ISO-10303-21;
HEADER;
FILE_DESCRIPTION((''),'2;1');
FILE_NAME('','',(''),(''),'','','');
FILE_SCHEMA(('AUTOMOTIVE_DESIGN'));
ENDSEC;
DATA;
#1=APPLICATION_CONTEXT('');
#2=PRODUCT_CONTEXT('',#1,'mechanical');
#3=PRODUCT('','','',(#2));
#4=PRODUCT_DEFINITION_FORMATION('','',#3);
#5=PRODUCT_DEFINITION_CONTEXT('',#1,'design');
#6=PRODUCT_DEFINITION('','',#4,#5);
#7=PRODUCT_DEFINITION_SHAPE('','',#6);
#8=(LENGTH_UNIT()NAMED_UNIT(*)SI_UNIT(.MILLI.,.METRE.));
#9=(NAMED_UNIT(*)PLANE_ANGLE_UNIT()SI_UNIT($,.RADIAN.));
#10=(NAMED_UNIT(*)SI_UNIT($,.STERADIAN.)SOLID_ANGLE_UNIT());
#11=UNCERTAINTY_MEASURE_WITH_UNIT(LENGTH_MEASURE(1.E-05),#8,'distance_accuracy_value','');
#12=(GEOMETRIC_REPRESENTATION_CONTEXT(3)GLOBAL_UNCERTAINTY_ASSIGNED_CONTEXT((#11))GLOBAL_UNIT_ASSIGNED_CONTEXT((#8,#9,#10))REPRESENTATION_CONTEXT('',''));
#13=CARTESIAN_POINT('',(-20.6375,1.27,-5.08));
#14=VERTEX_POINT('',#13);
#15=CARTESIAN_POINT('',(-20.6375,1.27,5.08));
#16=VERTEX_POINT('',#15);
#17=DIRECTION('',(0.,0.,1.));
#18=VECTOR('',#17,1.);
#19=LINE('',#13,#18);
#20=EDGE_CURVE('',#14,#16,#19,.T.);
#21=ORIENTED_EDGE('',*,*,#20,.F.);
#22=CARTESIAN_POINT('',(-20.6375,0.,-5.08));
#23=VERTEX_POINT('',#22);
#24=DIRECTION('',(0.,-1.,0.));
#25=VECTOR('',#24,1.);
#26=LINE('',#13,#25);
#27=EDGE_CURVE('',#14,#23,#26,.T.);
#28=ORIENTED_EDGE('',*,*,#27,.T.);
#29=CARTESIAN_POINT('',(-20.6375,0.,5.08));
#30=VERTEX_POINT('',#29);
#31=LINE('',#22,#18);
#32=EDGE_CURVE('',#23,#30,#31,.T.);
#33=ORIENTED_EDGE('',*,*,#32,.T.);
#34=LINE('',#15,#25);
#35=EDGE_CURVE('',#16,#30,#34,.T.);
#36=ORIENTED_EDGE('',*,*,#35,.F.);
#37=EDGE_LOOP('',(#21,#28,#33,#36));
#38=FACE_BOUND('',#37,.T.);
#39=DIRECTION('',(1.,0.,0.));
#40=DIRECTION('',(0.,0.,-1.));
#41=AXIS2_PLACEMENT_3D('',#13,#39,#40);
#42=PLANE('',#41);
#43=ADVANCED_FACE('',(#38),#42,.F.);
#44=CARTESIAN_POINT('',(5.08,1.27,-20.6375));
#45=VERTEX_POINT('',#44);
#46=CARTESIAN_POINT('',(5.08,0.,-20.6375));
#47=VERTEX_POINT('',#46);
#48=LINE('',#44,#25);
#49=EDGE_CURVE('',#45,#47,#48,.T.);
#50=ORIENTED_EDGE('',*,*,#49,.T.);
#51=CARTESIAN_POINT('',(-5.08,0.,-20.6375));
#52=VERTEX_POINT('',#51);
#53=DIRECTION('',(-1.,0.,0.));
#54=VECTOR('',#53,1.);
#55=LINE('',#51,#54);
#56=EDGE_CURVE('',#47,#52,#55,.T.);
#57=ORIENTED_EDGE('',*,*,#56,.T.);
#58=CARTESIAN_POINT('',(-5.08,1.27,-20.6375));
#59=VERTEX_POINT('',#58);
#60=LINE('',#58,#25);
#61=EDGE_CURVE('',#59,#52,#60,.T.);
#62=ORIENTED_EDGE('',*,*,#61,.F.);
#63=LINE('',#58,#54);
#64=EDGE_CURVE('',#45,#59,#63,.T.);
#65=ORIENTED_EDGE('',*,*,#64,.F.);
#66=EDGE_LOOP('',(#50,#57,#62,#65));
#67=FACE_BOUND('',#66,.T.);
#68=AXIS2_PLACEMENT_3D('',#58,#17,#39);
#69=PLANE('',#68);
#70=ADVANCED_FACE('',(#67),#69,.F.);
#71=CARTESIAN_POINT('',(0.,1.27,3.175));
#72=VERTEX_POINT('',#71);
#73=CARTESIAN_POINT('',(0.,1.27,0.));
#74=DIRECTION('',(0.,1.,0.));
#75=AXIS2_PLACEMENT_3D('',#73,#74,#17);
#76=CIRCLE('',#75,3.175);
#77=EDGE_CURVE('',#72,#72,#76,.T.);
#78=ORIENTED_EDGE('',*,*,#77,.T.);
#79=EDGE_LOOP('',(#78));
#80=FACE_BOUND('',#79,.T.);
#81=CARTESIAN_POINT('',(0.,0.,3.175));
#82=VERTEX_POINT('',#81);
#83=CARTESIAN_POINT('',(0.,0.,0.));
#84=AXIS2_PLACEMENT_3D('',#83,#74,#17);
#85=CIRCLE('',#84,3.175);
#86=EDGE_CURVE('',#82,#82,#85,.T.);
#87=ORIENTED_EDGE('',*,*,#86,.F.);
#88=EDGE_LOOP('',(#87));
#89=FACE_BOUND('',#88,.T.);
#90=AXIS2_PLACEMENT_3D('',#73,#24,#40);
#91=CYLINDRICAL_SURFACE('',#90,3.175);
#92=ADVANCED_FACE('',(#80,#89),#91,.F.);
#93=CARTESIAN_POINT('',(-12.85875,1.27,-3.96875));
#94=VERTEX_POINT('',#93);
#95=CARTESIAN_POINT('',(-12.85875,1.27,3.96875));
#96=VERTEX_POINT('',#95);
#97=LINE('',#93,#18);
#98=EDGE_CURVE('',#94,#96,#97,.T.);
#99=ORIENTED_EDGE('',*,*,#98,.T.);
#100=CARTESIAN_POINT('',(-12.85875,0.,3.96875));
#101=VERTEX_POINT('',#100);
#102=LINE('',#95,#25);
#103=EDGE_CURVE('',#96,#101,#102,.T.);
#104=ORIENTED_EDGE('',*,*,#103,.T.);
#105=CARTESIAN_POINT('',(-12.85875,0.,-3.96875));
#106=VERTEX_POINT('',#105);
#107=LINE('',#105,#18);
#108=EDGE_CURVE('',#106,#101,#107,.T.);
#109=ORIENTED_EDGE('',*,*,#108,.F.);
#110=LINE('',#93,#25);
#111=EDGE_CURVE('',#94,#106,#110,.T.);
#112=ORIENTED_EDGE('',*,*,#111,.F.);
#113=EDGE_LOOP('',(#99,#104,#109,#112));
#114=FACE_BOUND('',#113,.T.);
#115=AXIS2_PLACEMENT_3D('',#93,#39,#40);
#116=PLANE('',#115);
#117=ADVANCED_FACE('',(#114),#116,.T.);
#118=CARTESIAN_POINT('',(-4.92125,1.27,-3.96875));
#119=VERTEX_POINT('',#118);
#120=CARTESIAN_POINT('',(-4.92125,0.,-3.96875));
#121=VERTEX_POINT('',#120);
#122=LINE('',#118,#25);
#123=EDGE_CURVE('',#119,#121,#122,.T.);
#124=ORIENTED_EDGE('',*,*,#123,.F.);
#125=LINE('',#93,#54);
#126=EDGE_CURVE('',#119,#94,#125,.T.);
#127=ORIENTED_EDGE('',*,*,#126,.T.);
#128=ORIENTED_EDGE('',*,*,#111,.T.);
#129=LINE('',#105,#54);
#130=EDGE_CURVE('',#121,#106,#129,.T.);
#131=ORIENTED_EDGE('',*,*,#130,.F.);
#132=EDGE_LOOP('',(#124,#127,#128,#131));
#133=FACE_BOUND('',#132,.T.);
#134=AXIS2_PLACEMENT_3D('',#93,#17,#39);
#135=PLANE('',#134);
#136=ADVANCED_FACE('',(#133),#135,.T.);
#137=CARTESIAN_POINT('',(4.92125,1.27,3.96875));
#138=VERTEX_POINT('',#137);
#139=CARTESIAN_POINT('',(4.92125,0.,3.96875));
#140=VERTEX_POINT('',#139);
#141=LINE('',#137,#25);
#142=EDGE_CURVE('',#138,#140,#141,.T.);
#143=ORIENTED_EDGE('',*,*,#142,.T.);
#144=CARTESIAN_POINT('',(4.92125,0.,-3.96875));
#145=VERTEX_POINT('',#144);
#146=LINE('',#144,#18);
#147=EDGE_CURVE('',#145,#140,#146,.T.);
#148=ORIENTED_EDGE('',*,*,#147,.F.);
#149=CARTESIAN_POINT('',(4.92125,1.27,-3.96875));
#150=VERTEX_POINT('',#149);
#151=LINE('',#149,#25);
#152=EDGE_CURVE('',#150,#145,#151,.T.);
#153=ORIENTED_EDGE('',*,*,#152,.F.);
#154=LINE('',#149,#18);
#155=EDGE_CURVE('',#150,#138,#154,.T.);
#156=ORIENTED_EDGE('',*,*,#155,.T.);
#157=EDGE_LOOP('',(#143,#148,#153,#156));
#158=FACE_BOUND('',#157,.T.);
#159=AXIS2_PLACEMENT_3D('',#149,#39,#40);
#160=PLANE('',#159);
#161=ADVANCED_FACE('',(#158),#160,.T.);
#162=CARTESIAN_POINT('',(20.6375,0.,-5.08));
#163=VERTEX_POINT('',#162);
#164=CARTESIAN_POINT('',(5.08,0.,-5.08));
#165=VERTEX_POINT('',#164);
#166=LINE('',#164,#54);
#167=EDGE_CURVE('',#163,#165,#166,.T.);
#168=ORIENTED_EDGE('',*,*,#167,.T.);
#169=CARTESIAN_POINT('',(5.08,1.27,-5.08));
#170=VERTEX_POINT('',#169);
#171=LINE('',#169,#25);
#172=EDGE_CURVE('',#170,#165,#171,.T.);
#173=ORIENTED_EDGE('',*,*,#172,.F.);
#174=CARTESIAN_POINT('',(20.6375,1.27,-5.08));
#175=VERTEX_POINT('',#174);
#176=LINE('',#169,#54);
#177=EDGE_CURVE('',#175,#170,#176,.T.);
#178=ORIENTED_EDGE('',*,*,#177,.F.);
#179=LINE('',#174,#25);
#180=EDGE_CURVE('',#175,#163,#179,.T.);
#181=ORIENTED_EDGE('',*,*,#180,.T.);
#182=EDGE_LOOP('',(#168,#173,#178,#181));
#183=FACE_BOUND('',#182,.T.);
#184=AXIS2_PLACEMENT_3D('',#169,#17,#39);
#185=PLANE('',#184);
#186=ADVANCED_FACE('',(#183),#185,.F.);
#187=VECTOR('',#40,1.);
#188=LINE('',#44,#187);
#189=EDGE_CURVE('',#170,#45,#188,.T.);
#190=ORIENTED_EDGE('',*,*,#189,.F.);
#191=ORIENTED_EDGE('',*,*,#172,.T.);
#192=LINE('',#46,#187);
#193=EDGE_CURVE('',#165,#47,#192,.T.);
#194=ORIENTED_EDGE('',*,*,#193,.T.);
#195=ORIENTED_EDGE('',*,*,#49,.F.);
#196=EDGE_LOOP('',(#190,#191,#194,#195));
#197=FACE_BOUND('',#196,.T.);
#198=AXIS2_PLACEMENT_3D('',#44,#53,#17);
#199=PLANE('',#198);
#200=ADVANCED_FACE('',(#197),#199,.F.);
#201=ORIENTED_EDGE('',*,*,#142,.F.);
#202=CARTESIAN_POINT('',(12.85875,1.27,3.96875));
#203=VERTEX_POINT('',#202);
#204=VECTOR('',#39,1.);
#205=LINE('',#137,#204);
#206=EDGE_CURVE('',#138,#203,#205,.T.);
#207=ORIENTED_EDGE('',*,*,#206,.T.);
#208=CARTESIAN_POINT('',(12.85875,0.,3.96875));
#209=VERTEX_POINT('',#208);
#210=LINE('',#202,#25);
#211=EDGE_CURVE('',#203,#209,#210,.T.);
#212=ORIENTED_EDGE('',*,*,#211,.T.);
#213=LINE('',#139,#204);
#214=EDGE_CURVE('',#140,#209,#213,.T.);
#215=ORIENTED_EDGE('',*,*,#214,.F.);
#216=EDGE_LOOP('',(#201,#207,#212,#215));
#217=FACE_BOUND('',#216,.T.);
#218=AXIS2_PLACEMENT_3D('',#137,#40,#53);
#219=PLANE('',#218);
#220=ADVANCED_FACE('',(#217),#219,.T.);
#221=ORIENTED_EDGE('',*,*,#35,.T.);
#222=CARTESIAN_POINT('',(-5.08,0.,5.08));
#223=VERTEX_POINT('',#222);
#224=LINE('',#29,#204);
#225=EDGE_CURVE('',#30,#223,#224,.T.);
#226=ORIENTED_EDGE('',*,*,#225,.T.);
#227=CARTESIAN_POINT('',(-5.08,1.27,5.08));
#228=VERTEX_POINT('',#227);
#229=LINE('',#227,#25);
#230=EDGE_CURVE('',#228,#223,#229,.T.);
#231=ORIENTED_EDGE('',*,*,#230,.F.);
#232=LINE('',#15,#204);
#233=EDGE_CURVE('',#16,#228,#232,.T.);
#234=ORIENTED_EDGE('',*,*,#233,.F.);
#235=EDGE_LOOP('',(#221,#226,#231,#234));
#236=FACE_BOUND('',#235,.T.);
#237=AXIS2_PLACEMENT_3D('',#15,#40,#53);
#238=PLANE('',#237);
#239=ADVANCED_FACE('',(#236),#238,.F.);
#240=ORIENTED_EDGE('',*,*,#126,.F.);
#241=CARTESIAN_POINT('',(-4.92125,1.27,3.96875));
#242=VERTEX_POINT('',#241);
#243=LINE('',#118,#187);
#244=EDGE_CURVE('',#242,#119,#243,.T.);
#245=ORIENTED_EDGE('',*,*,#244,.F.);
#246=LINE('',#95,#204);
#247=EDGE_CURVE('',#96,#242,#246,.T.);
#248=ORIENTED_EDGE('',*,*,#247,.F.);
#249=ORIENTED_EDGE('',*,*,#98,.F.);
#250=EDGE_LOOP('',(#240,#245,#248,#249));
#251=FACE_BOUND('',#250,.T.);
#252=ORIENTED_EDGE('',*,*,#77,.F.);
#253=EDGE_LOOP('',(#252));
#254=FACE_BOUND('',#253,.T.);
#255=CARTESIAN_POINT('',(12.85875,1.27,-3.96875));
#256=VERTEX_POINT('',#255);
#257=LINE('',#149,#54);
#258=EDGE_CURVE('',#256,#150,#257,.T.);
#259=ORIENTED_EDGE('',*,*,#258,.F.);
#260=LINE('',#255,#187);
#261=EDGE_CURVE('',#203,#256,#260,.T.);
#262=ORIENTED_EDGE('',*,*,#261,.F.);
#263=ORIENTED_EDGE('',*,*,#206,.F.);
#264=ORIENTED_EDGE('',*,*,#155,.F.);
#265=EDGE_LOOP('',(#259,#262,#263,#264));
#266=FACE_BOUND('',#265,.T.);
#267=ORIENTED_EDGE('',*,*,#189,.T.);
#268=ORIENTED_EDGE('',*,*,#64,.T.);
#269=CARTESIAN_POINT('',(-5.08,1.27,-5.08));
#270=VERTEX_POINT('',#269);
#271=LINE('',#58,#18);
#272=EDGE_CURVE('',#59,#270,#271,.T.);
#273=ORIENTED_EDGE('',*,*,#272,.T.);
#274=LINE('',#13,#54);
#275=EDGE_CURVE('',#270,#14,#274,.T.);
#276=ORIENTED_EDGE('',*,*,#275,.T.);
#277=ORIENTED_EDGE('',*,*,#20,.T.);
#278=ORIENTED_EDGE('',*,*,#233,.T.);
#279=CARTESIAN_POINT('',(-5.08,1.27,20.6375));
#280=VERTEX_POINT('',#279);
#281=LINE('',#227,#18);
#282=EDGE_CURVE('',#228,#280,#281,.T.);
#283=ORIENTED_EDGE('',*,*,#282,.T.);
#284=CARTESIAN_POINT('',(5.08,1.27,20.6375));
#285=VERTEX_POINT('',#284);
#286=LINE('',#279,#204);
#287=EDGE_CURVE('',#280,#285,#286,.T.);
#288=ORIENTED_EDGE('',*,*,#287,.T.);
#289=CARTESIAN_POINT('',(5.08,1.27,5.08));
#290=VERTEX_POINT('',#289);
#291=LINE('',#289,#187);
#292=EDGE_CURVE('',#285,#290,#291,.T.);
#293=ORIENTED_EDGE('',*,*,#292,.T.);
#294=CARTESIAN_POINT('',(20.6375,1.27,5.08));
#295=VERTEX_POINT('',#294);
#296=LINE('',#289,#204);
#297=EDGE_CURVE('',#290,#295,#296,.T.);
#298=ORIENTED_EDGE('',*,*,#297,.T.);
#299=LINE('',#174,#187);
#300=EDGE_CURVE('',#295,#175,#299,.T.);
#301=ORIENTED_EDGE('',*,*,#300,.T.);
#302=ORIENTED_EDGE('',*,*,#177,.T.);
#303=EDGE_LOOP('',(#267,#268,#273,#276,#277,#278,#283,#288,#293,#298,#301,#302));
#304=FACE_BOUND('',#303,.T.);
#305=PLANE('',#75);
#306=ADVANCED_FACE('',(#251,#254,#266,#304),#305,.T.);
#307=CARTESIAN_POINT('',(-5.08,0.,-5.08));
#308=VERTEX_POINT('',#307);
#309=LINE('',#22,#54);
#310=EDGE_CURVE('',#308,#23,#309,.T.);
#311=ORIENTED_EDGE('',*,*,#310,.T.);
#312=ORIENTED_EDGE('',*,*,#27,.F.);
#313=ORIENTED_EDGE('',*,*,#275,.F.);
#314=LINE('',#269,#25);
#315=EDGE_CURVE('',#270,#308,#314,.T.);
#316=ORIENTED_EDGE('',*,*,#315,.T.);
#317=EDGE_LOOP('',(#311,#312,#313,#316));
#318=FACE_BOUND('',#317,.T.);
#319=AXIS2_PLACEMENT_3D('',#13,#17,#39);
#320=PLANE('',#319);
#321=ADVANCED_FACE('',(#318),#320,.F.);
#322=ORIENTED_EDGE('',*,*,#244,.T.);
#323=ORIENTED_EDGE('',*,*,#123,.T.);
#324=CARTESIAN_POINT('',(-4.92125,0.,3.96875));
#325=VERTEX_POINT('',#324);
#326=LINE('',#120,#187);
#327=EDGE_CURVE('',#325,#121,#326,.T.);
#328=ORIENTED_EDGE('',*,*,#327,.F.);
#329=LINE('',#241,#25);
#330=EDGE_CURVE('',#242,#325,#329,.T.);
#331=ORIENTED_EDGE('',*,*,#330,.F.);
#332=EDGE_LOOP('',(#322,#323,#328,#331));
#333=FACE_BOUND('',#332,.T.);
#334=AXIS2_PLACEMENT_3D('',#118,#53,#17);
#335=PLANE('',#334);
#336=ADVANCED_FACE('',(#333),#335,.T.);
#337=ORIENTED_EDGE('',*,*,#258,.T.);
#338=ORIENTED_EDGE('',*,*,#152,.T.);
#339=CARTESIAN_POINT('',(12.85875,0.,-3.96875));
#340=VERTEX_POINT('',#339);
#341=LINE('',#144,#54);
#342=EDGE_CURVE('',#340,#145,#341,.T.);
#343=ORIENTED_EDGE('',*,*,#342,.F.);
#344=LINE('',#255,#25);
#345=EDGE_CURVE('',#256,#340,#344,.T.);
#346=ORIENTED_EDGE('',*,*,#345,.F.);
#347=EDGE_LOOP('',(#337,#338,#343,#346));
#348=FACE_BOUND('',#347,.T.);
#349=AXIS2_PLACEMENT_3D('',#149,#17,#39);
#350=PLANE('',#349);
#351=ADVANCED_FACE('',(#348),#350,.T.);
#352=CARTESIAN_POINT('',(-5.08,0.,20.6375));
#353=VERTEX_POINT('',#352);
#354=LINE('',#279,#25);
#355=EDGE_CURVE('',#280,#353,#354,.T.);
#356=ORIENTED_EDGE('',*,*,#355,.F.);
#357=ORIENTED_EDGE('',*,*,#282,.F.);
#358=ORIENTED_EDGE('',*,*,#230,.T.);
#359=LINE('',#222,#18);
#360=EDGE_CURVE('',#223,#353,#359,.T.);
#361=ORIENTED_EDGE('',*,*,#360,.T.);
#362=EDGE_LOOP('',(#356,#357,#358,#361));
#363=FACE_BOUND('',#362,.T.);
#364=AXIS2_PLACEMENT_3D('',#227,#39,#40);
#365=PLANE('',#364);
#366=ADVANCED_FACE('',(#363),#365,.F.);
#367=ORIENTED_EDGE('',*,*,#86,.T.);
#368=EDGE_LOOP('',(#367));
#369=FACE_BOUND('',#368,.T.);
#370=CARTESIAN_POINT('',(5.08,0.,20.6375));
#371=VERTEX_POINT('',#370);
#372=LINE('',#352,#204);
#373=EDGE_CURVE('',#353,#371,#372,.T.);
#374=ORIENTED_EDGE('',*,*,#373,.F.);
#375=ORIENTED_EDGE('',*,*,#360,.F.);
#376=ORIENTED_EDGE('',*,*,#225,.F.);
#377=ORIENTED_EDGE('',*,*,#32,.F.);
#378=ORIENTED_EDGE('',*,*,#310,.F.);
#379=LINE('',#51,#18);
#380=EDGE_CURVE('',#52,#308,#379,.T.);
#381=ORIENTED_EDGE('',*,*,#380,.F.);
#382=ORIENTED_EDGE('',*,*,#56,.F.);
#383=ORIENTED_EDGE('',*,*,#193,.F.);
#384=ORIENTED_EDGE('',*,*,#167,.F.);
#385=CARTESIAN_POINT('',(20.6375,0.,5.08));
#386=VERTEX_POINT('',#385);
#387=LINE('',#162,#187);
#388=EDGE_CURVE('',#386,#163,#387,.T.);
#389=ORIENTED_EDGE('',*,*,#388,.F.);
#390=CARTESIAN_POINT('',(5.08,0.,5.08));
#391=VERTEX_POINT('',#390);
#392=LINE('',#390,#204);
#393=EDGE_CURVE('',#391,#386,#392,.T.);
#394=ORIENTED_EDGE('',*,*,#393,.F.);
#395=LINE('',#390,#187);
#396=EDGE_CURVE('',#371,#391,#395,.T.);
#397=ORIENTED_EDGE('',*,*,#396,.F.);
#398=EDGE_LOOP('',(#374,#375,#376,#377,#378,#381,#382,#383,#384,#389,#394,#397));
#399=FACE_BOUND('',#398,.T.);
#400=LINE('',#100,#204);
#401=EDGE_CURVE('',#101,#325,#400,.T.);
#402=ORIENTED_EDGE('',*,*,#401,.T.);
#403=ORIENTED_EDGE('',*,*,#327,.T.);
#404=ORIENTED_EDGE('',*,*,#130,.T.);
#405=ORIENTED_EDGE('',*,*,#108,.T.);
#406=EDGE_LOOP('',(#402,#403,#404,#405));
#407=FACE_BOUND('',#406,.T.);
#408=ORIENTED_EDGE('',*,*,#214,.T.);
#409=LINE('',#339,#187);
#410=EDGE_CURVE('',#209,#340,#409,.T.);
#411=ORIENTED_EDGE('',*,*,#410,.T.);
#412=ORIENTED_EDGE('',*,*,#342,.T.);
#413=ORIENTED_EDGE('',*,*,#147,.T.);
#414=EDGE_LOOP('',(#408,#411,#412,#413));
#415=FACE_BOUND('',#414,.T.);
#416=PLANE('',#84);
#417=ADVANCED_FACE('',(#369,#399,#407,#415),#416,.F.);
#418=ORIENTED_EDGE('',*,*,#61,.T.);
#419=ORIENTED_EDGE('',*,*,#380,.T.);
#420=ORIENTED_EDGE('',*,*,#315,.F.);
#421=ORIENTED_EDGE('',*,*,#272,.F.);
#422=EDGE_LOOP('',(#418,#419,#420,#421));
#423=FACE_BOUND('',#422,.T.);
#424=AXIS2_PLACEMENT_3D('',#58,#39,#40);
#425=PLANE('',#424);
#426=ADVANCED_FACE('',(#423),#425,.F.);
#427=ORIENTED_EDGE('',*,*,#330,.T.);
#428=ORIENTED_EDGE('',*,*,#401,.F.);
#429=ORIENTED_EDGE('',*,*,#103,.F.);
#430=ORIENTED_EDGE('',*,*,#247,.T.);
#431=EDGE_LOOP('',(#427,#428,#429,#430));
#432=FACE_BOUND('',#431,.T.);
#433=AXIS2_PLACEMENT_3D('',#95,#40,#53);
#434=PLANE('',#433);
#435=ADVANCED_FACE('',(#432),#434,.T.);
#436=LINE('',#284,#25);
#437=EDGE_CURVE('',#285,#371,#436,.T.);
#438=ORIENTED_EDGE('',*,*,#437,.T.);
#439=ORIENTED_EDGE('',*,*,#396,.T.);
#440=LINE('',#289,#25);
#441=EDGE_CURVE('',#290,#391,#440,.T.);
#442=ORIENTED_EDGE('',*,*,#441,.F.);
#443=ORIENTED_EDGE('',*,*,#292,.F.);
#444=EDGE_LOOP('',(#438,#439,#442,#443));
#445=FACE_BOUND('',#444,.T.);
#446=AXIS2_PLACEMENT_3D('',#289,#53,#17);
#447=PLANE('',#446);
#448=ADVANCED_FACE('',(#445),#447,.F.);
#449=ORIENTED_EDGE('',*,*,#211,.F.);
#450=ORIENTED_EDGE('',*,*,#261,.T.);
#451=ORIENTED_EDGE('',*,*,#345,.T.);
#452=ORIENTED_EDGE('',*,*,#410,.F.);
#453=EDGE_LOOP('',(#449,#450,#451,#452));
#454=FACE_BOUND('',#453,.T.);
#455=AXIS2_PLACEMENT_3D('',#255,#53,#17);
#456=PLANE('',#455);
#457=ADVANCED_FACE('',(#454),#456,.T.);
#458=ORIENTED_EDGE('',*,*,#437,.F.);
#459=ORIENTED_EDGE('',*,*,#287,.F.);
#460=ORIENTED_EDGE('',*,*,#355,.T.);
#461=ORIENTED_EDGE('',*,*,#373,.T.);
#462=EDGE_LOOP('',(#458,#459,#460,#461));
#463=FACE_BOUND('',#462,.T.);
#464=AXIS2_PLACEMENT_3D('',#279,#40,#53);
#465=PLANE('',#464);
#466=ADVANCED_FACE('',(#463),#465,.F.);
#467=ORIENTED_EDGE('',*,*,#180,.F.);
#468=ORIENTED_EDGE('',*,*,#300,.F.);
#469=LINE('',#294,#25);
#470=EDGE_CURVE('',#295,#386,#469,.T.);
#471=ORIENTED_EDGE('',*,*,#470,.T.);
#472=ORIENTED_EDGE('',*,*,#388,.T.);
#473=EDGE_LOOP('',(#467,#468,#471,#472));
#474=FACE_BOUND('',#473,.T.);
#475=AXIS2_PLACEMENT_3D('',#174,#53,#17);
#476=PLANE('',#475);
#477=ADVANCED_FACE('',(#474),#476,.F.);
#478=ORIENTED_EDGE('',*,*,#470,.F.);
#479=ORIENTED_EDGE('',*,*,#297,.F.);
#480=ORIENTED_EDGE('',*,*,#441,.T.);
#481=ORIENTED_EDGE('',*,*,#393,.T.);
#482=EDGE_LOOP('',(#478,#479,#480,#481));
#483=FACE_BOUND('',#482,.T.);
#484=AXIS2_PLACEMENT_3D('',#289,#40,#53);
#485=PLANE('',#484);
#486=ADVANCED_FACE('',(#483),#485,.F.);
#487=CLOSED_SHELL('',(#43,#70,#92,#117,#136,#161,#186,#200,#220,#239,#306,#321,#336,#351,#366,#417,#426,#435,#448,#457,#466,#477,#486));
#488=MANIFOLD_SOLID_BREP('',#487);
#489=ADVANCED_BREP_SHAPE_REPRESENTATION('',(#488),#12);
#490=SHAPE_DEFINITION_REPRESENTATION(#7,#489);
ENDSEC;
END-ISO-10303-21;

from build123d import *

# Parameters (mm, degrees)
SKETCH1_R           = 3.175
SKETCH1_W           = 7.9375
SKETCH1_H           = 7.9375
BOSS_EXTRUDE1_DEPTH = 1.27


with BuildPart() as part:
    # Sketch1 → Boss-Extrude1 (new body)
    with BuildSketch(Plane(origin=(0, 0, 0), x_dir=(1, 0, 0), z_dir=(0, 1, 0))):
        Polygon((-20.6375, 5.08), (-5.08, 5.08), (-5.08, 20.6375), (5.08, 20.6375), (5.08, 5.08), (20.6375, 5.08), (20.6375, -5.08), (5.08, -5.08), (5.08, -20.6375), (-5.08, -20.6375), (-5.08, -5.08), (-20.6375, -5.08), align=None)
        with Locations(Location((0, 0, 0), (0, 0, 270))):
            Circle(SKETCH1_R, mode=Mode.SUBTRACT)
        with Locations((8.89, 0)):
            Rectangle(SKETCH1_W, SKETCH1_H, mode=Mode.SUBTRACT)
        with Locations((-8.89, 0)):
            Rectangle(SKETCH1_W, SKETCH1_H, mode=Mode.SUBTRACT)
    extrude(amount=BOSS_EXTRUDE1_DEPTH)


solid = part.part
